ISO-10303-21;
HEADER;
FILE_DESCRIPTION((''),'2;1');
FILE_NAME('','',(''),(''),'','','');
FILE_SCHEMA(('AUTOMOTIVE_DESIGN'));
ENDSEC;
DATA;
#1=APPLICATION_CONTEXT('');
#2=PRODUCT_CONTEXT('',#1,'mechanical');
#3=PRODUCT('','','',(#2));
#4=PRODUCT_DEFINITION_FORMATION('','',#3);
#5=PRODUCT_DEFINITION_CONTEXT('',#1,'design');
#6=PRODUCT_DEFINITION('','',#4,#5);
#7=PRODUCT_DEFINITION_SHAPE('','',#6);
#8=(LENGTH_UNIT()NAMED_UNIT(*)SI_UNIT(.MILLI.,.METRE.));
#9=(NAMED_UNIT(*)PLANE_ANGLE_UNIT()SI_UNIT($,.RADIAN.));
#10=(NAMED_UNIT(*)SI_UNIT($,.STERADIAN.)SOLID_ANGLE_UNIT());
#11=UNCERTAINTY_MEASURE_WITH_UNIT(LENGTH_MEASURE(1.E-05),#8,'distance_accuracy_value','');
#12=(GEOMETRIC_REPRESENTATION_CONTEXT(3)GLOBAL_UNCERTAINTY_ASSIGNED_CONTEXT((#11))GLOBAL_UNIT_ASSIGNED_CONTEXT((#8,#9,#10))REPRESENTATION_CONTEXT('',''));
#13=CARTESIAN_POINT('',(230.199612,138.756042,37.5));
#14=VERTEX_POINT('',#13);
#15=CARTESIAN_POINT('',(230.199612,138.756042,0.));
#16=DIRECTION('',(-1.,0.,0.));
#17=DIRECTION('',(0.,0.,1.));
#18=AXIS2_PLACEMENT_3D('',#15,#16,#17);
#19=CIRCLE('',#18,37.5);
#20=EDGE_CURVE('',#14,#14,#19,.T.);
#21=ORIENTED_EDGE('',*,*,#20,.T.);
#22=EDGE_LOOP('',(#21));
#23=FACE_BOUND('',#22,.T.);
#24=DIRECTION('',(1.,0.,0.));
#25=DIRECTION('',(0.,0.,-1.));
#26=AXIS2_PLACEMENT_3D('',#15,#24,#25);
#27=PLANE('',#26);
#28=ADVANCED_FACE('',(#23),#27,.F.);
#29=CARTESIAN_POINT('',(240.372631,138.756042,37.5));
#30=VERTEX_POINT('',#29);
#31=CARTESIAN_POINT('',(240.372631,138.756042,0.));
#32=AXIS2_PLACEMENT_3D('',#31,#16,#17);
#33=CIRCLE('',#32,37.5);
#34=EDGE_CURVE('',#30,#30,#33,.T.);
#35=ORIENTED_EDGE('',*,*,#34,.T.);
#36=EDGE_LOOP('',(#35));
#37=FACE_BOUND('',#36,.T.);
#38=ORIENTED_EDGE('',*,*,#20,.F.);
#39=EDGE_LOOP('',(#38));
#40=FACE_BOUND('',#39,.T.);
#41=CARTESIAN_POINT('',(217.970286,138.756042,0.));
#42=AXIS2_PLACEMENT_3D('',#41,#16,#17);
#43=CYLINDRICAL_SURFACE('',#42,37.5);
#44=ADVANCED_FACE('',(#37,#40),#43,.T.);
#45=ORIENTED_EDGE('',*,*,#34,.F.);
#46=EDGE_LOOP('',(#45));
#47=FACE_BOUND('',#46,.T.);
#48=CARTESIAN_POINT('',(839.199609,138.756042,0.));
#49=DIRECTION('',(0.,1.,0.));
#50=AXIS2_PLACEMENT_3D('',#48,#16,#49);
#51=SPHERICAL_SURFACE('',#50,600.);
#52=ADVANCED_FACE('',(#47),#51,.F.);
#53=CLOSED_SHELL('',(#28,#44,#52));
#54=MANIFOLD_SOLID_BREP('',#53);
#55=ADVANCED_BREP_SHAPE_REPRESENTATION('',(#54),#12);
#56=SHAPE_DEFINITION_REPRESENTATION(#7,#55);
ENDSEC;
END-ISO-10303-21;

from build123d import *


with BuildPart() as part:
    # 草图1 → 旋转1 (revolve)
    with BuildSketch(Plane.XY):
        with BuildLine():
            Line((230.199611905, 138.756042247), (230.199611905, 176.256042247))
            Line((230.199611905, 176.256042247), (240.372630706, 176.256042247))
            ThreePointArc((240.372630706, 176.256042247), (239.49293617, 157.515213203), (239.199609057, 138.756042247))
            Line((239.199609057, 138.756042247), (230.199611905, 138.756042247))
        make_face()
    revolve(axis=Axis((217.970286004, 138.756042247, 0), (1, 0, 0)))


solid = part.part
